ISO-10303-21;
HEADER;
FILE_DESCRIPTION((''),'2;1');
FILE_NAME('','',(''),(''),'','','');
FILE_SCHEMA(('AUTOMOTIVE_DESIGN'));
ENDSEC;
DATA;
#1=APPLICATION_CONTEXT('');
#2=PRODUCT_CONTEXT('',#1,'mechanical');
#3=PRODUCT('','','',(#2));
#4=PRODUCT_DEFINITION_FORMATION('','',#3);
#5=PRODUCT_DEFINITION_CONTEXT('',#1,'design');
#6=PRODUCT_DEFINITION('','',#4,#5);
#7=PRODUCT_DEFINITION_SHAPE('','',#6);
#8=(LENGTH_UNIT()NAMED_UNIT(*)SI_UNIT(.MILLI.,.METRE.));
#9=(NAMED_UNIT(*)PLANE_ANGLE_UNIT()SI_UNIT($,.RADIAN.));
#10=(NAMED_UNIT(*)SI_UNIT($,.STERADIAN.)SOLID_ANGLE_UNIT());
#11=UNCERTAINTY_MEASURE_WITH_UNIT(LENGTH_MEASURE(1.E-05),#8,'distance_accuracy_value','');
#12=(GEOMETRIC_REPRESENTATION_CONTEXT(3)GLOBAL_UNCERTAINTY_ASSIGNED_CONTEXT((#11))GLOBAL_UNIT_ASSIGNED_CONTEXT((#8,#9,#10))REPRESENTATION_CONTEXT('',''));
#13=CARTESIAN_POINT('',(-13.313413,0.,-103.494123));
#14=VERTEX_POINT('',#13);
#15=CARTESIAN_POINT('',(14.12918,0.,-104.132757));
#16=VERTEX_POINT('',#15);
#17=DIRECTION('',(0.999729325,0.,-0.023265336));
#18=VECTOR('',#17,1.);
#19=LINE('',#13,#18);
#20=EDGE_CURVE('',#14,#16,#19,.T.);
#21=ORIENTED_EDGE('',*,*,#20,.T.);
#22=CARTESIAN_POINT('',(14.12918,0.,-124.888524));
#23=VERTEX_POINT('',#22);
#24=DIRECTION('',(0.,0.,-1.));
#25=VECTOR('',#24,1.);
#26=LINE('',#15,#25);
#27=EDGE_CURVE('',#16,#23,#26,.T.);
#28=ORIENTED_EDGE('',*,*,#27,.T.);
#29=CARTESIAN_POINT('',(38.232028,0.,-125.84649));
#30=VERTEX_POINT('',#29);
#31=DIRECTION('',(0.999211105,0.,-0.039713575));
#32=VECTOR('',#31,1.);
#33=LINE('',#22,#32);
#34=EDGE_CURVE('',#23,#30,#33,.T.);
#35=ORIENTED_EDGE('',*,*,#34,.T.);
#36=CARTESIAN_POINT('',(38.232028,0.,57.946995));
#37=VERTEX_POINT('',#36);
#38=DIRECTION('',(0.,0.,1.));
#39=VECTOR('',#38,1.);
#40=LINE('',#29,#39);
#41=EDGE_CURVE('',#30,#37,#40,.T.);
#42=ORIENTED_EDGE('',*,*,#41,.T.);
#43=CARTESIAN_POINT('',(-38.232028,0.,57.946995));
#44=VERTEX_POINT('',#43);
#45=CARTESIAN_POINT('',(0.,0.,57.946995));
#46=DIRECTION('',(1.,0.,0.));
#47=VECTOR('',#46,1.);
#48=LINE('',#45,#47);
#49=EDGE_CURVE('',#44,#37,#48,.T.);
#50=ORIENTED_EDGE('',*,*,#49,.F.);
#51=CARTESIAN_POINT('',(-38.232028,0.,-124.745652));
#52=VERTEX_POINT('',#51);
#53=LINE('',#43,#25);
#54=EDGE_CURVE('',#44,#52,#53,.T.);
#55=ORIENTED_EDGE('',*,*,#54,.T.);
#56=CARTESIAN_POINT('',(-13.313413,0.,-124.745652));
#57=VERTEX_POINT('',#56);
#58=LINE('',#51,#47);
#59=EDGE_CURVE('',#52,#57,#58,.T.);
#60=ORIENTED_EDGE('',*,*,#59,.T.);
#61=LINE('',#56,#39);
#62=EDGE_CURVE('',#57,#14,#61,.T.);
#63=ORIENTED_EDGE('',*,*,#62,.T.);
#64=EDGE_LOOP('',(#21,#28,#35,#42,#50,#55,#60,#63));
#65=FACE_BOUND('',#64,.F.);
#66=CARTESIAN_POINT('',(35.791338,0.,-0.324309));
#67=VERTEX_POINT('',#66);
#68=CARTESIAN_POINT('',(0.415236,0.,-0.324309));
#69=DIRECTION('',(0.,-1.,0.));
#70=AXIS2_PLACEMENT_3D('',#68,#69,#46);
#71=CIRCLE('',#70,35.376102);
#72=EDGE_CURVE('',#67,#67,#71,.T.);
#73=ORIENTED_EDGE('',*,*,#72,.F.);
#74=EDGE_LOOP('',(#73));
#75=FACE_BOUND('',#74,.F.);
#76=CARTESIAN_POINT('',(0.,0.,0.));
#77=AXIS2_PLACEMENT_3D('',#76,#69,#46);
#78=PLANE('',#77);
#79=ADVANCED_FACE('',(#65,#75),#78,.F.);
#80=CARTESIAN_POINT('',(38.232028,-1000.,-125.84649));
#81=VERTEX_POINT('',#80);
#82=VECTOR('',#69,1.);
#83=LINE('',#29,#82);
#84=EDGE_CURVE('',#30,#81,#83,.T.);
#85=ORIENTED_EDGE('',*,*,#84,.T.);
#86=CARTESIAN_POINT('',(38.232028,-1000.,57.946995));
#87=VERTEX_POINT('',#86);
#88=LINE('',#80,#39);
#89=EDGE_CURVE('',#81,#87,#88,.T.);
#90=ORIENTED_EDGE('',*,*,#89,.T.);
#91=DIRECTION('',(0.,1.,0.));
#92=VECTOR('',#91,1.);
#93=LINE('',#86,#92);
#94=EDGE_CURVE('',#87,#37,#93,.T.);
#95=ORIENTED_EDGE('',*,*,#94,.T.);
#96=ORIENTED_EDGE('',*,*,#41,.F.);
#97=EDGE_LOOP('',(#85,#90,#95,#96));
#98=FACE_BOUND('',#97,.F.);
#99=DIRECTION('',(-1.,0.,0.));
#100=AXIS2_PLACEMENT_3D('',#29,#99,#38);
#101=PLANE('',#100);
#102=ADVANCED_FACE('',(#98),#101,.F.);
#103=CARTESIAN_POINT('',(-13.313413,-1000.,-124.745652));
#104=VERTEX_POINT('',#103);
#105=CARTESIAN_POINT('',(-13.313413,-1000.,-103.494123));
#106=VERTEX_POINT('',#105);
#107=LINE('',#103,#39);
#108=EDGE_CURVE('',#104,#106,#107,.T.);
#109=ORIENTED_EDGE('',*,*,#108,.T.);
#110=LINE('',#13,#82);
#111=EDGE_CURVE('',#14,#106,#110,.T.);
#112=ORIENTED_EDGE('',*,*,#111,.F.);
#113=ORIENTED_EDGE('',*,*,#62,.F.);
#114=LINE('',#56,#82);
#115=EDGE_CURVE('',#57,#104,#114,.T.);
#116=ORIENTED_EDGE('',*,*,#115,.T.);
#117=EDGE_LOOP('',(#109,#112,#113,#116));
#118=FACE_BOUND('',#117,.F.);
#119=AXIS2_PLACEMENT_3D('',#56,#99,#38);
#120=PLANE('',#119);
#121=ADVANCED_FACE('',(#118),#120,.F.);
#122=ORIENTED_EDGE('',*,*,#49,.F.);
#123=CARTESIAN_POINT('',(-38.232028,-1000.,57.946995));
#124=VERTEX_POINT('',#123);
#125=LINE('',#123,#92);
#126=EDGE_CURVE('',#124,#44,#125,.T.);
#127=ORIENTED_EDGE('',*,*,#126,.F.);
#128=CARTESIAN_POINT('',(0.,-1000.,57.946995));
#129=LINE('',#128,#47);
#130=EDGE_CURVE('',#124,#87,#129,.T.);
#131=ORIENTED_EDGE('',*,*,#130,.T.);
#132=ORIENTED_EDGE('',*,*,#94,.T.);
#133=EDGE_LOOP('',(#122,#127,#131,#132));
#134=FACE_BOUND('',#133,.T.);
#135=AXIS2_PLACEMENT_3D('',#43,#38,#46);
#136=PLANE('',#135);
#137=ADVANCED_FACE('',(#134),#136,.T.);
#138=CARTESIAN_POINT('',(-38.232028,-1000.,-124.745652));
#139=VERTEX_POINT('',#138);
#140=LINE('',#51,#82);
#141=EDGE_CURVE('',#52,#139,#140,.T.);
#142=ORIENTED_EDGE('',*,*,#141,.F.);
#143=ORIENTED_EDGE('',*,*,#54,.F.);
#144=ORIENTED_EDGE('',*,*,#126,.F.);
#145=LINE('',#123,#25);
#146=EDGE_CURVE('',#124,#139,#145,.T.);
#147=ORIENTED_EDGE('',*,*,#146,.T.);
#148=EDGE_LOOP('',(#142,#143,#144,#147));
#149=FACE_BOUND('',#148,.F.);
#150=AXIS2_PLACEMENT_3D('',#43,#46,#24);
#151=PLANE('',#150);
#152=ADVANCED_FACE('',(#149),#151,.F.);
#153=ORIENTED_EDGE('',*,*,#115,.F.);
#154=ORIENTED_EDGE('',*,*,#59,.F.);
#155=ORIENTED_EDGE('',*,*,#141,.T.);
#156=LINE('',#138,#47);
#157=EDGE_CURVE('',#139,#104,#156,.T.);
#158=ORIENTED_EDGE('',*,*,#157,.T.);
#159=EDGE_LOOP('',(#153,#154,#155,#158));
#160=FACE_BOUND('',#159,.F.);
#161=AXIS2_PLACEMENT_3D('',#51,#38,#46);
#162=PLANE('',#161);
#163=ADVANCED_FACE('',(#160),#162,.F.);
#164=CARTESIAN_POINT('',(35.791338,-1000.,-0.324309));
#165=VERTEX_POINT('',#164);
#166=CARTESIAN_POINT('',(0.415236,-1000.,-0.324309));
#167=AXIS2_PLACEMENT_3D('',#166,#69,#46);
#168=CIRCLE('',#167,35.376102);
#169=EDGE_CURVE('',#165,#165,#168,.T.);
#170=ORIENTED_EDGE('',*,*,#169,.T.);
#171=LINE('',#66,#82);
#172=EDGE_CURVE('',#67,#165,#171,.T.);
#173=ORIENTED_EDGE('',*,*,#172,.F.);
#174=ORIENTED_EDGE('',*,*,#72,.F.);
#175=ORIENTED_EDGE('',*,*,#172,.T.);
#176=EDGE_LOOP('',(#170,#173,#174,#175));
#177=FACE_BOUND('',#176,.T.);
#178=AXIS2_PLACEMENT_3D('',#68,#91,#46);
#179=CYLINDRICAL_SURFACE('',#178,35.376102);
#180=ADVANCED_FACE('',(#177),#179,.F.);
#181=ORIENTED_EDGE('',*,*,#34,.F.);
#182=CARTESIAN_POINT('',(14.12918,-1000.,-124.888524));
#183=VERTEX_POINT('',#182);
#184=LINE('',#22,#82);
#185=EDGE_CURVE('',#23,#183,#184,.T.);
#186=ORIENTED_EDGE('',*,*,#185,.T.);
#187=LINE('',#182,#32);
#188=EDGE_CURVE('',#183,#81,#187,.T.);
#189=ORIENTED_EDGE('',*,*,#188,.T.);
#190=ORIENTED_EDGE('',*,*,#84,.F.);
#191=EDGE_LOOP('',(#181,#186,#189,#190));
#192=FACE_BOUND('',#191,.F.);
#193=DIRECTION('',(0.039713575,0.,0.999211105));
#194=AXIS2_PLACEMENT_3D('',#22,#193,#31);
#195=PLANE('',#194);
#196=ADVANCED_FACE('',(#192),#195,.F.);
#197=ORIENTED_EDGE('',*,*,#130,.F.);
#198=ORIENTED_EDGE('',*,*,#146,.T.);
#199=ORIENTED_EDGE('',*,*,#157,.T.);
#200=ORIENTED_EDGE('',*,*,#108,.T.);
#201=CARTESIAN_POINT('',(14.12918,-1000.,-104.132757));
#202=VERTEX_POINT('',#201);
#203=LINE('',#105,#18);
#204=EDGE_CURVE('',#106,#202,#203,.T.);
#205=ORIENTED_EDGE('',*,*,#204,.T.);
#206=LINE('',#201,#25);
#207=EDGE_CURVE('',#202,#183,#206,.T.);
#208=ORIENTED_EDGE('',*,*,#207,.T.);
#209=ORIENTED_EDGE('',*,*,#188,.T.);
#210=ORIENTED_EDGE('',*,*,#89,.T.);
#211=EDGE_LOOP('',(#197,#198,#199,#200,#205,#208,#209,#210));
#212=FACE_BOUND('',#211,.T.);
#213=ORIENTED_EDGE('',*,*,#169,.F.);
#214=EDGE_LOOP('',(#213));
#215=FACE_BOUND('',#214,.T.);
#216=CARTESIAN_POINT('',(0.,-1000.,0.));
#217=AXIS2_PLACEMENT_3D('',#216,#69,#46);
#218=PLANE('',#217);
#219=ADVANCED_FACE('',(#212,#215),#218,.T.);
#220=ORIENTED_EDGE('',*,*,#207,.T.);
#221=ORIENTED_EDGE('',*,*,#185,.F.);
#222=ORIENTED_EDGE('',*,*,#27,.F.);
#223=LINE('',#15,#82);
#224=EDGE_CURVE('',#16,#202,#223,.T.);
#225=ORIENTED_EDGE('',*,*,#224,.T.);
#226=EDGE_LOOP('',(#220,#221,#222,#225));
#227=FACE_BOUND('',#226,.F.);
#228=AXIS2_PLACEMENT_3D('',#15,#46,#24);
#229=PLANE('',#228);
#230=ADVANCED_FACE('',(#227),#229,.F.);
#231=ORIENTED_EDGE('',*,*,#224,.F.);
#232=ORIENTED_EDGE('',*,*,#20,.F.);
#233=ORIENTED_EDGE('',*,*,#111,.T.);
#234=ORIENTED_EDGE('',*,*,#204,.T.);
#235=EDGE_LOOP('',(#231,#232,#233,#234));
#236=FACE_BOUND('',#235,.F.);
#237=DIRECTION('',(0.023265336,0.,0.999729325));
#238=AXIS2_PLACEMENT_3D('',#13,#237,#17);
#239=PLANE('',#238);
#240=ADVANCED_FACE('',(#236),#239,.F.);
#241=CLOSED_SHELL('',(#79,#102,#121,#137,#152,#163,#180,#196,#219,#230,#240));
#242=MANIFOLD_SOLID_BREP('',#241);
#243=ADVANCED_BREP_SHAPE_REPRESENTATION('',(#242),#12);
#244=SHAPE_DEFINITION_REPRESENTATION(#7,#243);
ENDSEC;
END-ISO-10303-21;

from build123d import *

# Parameters (mm, degrees)
F0_W     = 76.464056
F0_H     = 115.89399
F0_R     = 35.376102
F1_DEPTH = 1000
F2_DEPTH = 600


with BuildPart() as f1:
    # F0 (on Front) → F1 (new body)
    with BuildSketch(Plane.XZ):
        Rectangle(F0_W, F0_H)
        with Locations((0.415236, -0.324309)):
            Circle(F0_R, mode=Mode.SUBTRACT)
        Polygon((38.232028, -125.84649), (38.232028, -57.946995), (-38.232028, -57.946995), (-38.232028, -124.745652), (-13.313413, -124.745652), (-13.313413, -103.494123), (14.12918, -104.132757), (14.12918, -124.888524), align=None)
    extrude(amount=F1_DEPTH)

    # F0 (on Front) → F2 (join)
    with BuildSketch(Plane.XZ):
        Rectangle(F0_W, F0_H)
        with Locations((0.415236, -0.324309)):
            Circle(F0_R, mode=Mode.SUBTRACT)
        Polygon((38.232028, -125.84649), (38.232028, -57.946995), (-38.232028, -57.946995), (-38.232028, -124.745652), (-13.313413, -124.745652), (-13.313413, -103.494123), (14.12918, -104.132757), (14.12918, -124.888524), align=None)
    extrude(amount=F2_DEPTH)


solid = f1.part
